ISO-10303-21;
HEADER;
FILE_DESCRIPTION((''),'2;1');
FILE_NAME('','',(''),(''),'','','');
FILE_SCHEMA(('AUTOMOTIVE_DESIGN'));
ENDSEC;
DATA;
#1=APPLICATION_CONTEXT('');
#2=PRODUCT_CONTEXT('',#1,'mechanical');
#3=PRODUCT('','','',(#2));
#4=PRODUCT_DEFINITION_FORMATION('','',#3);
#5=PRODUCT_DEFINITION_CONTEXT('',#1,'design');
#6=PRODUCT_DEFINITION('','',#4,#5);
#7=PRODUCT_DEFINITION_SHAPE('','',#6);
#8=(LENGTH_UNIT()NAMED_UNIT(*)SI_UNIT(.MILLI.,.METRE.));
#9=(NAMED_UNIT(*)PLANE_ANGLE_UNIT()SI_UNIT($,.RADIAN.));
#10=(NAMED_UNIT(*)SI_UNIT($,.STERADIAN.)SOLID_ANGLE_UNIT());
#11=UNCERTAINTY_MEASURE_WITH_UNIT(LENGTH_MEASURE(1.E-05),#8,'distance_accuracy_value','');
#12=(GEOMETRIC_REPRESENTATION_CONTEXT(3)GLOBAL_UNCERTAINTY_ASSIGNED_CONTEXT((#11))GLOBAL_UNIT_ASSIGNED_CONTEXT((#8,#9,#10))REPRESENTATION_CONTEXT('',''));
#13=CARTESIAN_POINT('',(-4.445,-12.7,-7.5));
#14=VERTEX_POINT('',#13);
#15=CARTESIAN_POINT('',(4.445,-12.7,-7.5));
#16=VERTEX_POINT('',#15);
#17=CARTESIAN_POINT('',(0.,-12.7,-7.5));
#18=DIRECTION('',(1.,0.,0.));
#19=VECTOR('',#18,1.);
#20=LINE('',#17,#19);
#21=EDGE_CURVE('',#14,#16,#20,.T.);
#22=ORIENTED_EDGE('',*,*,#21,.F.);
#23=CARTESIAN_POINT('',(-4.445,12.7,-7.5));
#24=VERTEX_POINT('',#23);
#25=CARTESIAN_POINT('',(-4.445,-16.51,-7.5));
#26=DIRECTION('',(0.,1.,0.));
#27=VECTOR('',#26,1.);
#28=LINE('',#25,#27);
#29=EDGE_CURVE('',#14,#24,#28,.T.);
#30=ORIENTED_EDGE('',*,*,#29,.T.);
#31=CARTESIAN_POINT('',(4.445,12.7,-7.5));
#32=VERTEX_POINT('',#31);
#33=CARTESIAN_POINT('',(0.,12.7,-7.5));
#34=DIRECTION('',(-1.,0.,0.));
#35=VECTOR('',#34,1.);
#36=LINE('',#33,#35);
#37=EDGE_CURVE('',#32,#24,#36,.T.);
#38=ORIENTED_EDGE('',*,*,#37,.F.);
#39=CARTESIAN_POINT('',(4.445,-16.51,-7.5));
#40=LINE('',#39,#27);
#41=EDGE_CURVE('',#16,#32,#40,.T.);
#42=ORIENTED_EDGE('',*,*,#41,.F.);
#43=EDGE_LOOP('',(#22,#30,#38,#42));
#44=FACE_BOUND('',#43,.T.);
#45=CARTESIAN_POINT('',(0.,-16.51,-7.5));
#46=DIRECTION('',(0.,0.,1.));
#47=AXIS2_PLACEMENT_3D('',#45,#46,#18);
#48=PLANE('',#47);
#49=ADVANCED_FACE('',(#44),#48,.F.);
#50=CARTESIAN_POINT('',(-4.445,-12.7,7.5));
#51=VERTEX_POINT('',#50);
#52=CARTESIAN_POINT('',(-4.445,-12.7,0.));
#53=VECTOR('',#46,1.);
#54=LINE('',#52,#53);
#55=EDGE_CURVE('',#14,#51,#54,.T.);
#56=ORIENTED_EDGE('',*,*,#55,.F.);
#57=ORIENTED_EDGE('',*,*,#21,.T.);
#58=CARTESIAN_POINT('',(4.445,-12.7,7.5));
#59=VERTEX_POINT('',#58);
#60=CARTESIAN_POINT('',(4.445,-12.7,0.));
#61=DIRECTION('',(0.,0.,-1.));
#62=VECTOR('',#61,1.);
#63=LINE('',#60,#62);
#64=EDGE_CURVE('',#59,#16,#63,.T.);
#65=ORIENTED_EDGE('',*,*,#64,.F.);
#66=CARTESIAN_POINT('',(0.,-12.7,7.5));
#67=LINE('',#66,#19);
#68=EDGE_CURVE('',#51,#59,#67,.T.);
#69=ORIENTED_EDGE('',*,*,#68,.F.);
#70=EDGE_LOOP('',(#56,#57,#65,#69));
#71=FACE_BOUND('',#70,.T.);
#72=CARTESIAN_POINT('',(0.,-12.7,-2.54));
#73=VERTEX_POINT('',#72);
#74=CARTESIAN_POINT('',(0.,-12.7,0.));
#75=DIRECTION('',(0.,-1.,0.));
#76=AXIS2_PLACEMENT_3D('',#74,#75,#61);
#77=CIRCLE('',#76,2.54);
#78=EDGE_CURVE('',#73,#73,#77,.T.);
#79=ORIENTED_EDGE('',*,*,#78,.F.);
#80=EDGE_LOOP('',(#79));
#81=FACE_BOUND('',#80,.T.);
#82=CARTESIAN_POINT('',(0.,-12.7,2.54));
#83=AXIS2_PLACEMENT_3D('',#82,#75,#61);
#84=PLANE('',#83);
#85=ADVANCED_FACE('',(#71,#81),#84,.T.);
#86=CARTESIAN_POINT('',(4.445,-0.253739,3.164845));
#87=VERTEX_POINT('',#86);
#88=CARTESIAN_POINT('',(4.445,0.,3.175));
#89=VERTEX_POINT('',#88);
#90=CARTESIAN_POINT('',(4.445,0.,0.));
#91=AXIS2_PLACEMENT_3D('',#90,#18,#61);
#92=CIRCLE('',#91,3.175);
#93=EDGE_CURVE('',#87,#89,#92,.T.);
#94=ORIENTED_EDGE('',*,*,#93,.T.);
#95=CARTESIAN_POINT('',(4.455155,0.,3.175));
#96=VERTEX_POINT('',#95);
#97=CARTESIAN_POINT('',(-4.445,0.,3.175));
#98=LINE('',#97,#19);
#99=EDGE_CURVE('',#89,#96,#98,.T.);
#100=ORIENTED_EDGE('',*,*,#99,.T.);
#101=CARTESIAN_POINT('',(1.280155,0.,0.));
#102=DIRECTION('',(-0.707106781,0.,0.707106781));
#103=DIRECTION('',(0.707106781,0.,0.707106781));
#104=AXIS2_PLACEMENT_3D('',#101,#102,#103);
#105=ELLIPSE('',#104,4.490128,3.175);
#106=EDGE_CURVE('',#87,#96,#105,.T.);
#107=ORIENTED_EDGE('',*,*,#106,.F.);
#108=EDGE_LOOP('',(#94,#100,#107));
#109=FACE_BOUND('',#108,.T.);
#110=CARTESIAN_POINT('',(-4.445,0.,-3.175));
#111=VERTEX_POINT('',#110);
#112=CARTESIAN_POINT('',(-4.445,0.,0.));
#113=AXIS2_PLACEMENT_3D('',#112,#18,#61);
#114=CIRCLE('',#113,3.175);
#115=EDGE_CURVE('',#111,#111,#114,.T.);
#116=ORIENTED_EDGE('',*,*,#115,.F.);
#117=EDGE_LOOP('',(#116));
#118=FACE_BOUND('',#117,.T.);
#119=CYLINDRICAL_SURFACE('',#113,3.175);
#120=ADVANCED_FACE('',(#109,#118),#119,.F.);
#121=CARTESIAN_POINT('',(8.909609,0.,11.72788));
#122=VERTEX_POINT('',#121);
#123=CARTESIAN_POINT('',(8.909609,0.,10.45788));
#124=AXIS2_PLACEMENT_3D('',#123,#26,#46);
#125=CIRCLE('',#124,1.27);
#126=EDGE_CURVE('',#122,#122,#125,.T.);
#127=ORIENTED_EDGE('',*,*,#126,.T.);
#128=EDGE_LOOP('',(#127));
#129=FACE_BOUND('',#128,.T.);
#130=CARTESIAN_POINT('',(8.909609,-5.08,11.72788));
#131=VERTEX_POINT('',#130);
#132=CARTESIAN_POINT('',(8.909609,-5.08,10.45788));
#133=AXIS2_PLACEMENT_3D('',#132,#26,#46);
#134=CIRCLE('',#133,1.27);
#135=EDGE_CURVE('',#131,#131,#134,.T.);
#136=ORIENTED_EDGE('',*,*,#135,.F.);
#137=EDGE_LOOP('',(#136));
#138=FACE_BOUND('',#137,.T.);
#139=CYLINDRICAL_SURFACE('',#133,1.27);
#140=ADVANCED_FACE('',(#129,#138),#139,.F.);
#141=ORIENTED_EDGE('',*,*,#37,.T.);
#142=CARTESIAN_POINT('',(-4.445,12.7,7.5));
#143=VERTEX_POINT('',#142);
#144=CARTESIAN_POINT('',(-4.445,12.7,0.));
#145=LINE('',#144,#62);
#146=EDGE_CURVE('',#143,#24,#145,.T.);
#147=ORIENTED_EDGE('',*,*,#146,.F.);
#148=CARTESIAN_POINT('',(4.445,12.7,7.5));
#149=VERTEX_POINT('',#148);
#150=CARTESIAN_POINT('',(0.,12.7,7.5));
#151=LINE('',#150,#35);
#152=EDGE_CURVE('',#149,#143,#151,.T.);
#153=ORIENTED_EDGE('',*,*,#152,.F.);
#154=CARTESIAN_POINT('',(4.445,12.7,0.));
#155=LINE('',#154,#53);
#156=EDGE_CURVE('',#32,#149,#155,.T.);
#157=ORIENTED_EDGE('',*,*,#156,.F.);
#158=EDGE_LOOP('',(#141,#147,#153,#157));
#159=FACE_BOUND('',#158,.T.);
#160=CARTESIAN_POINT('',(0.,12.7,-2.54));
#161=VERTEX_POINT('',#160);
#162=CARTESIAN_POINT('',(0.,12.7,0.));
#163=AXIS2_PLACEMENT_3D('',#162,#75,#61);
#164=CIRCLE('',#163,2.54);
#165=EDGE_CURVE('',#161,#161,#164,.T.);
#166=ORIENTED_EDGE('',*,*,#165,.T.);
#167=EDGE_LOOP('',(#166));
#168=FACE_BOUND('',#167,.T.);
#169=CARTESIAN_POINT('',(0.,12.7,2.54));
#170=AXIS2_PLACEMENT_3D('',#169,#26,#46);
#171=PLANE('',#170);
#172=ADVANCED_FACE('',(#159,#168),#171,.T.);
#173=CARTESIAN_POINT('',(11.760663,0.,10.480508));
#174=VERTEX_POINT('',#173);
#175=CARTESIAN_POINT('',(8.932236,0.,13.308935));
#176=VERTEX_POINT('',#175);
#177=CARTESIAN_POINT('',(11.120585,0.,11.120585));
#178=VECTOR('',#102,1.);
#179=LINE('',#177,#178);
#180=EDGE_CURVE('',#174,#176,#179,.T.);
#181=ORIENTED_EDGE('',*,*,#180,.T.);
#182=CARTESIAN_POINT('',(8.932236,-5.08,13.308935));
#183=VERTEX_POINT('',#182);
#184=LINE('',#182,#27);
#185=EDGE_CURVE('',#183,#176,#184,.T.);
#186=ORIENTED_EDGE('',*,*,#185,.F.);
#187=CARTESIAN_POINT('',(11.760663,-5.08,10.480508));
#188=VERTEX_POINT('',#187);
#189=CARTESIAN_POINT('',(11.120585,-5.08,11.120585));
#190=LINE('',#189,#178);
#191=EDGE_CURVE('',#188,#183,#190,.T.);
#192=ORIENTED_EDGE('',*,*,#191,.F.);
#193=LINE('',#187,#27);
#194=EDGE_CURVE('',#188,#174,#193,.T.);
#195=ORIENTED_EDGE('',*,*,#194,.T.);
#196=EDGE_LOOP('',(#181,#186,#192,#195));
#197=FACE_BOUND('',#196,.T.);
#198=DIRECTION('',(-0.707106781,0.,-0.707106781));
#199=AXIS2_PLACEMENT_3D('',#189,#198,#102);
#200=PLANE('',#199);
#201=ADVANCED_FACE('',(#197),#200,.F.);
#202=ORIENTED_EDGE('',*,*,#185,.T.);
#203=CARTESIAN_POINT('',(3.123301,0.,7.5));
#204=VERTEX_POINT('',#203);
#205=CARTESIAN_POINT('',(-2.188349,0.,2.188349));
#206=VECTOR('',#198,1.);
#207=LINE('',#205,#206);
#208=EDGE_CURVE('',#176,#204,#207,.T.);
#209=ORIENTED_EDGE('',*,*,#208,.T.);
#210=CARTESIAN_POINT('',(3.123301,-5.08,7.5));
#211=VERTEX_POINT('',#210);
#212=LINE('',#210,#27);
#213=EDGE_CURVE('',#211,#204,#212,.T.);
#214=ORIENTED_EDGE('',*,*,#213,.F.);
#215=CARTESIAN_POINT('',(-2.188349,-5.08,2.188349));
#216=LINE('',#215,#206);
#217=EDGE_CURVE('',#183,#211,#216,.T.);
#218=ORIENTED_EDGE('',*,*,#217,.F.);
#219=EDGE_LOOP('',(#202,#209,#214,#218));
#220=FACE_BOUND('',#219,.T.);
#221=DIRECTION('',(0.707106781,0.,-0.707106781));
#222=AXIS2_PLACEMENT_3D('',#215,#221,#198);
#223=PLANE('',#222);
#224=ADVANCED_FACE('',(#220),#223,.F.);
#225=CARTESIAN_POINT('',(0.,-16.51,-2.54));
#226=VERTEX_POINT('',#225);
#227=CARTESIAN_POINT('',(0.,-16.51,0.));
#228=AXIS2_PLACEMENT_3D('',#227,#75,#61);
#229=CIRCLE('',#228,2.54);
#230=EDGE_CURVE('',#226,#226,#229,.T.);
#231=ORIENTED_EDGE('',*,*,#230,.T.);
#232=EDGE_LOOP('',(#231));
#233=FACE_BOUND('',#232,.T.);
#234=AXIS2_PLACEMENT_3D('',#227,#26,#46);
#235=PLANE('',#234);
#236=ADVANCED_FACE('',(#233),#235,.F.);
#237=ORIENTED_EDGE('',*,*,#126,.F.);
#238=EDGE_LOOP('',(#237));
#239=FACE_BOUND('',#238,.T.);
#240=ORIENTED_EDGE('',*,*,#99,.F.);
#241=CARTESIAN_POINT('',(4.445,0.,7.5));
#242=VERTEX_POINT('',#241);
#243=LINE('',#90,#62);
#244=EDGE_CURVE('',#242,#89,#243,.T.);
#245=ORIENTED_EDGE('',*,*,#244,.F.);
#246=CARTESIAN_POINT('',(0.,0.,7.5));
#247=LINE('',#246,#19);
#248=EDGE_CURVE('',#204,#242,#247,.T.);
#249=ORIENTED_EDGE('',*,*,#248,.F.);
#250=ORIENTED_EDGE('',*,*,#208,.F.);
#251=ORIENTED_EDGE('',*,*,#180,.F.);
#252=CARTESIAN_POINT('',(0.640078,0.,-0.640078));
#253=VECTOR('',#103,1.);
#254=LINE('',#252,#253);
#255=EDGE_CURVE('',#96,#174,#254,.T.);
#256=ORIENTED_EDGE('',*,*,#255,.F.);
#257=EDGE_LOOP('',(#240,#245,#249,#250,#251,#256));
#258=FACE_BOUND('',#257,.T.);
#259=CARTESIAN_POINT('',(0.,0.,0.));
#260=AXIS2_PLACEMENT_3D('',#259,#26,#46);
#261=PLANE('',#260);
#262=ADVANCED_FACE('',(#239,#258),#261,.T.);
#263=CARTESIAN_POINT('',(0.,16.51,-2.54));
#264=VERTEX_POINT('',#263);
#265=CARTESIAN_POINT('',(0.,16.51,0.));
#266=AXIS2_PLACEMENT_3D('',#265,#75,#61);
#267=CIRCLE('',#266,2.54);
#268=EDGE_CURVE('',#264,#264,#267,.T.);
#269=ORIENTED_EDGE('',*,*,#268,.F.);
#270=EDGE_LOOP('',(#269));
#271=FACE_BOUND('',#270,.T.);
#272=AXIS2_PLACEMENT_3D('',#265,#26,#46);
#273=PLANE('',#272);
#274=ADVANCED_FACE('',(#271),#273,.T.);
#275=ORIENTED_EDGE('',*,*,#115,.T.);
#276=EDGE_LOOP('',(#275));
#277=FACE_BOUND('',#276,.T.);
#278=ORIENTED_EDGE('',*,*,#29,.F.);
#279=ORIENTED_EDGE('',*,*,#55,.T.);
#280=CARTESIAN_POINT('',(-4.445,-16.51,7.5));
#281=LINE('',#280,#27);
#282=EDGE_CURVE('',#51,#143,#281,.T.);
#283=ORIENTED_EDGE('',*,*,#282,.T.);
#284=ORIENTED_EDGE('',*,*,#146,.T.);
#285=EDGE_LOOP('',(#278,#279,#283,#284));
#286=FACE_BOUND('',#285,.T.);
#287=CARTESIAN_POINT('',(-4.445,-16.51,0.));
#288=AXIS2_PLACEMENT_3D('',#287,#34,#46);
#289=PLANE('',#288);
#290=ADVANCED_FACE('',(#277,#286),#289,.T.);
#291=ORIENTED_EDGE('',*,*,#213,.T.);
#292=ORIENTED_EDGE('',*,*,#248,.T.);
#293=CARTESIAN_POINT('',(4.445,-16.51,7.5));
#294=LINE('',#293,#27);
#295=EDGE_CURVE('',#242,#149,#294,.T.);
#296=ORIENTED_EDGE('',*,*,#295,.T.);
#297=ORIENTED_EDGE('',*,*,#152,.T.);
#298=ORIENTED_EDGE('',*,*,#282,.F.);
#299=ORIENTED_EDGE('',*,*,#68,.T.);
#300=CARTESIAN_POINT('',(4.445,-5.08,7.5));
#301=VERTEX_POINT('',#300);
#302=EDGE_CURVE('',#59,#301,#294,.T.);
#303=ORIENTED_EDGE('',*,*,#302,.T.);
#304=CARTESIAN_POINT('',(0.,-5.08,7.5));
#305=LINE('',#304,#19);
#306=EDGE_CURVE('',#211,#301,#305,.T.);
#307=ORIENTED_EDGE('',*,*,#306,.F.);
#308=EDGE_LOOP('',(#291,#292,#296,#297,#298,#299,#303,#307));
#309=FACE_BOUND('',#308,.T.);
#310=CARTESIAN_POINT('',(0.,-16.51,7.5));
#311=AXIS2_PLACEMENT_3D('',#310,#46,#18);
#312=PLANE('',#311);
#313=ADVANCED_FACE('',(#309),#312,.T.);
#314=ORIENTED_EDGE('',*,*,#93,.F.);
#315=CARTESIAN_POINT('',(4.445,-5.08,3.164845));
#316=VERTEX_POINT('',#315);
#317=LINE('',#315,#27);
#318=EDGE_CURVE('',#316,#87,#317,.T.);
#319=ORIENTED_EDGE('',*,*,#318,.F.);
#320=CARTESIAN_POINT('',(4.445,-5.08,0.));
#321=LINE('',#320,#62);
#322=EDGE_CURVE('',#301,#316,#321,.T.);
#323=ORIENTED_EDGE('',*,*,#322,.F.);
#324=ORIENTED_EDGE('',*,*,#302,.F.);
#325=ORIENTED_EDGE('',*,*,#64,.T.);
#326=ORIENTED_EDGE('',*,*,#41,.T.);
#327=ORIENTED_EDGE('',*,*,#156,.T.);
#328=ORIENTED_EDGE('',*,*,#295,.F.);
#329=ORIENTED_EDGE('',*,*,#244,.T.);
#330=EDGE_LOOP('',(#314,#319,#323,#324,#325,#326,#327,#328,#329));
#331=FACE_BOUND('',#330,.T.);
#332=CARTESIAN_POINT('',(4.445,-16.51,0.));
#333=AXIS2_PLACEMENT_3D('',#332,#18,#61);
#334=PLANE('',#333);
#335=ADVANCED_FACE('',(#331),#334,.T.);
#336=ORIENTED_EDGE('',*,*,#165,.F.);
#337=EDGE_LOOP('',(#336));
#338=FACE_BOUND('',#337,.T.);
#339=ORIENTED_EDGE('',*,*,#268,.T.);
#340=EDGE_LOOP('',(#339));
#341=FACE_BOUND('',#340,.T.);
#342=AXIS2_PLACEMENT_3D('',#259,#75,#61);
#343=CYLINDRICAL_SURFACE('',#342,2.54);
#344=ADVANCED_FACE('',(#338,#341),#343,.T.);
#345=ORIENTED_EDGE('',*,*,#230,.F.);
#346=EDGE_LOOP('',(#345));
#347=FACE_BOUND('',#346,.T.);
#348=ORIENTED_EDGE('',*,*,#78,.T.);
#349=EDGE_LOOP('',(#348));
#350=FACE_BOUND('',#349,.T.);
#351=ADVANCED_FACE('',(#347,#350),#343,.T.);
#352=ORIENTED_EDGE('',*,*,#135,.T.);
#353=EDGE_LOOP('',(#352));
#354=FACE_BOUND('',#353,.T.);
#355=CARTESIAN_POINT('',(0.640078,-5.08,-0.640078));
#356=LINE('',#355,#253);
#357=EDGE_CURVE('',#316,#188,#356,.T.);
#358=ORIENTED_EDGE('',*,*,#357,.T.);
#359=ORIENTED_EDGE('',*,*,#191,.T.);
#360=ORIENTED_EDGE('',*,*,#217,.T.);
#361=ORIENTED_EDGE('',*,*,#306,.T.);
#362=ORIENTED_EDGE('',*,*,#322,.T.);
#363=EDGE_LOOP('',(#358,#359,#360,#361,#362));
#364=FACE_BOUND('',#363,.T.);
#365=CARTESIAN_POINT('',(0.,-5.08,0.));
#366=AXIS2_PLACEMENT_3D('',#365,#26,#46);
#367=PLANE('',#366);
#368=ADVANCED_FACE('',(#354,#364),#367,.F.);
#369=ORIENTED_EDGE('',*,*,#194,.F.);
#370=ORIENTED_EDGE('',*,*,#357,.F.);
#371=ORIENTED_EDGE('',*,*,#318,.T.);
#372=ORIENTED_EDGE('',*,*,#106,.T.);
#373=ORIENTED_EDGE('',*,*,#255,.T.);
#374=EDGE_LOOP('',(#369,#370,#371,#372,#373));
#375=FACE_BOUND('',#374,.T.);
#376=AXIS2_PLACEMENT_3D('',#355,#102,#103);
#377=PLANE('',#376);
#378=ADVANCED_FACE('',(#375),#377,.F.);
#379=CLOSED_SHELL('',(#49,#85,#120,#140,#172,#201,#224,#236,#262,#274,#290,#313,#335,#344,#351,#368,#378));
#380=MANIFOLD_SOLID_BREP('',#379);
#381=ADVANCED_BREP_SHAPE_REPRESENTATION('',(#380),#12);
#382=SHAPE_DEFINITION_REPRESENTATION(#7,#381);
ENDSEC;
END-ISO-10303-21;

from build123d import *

# Parameters (mm, degrees)
SKETCH1_W                = 8.89
SKETCH1_H                = 14.999999972
BOSS_EXTRUDE1_DEPTH      = 16.51
BOSS_EXTRUDE1_DEPTH_BACK = 16.51
SKETCH1_3_R              = 1.27
BOSS_EXTRUDE2_DEPTH      = 5.08
SKETCH3_W                = 16.776229269
SKETCH3_H                = 3.81
SKETCH4_R                = 3.175
CUT_EXTRUDE1_DEPTH       = 12.76066318
CUT_EXTRUDE1_DEPTH_BACK  = 5.445


with BuildPart() as part:
    # Sketch1 → Boss-Extrude1 (new body, two sides)
    with BuildSketch(Plane(origin=(0, 0, 0), x_dir=(1, 0, 0), z_dir=(0, 1, 0))) as boss_extrude1_sk:
        Rectangle(SKETCH1_W, SKETCH1_H)
    extrude(amount=BOSS_EXTRUDE1_DEPTH)
    extrude(boss_extrude1_sk.sketch, amount=-BOSS_EXTRUDE1_DEPTH_BACK)

    # Sketch1_3 → Boss-Extrude2 (add)
    with BuildSketch(Plane(origin=(0, 0, 0), x_dir=(1, 0, 0), z_dir=(0, 1, 0))):
        Polygon((11.76066318, -10.480507782), (4.445, -3.164844602), (4.445, -7.499999986), (3.123301134, -7.499999986), (8.932236056, -13.308934907), align=None)
        with Locations((8.909608639, -10.457880365)):
            Circle(SKETCH1_3_R, mode=Mode.SUBTRACT)
    extrude(amount=-BOSS_EXTRUDE2_DEPTH)

    # Sketch3 → Cut-Revolve1 (revolve, cut)
    with BuildSketch(Plane(origin=(0, 0, 0), x_dir=(0, 0, -1), z_dir=(1, 0, 0))):
        with Locations((-10.928114634, 14.605)):
            Rectangle(SKETCH3_W, SKETCH3_H)
        with Locations((-10.928114634, -14.605)):
            Rectangle(SKETCH3_W, SKETCH3_H)
    revolve(axis=Axis((0, 0, 0), (0, 1, 0)), mode=Mode.SUBTRACT)

    # Sketch4 → Cut-Extrude1 (cut, two sides)
    with BuildSketch(Plane(origin=(0, 0, 0), x_dir=(0, 0, -1), z_dir=(1, 0, 0))) as cut_extrude1_sk:
        Circle(SKETCH4_R)
    extrude(amount=CUT_EXTRUDE1_DEPTH, mode=Mode.SUBTRACT)
    extrude(cut_extrude1_sk.sketch, amount=-CUT_EXTRUDE1_DEPTH_BACK, mode=Mode.SUBTRACT)


solid = part.part
